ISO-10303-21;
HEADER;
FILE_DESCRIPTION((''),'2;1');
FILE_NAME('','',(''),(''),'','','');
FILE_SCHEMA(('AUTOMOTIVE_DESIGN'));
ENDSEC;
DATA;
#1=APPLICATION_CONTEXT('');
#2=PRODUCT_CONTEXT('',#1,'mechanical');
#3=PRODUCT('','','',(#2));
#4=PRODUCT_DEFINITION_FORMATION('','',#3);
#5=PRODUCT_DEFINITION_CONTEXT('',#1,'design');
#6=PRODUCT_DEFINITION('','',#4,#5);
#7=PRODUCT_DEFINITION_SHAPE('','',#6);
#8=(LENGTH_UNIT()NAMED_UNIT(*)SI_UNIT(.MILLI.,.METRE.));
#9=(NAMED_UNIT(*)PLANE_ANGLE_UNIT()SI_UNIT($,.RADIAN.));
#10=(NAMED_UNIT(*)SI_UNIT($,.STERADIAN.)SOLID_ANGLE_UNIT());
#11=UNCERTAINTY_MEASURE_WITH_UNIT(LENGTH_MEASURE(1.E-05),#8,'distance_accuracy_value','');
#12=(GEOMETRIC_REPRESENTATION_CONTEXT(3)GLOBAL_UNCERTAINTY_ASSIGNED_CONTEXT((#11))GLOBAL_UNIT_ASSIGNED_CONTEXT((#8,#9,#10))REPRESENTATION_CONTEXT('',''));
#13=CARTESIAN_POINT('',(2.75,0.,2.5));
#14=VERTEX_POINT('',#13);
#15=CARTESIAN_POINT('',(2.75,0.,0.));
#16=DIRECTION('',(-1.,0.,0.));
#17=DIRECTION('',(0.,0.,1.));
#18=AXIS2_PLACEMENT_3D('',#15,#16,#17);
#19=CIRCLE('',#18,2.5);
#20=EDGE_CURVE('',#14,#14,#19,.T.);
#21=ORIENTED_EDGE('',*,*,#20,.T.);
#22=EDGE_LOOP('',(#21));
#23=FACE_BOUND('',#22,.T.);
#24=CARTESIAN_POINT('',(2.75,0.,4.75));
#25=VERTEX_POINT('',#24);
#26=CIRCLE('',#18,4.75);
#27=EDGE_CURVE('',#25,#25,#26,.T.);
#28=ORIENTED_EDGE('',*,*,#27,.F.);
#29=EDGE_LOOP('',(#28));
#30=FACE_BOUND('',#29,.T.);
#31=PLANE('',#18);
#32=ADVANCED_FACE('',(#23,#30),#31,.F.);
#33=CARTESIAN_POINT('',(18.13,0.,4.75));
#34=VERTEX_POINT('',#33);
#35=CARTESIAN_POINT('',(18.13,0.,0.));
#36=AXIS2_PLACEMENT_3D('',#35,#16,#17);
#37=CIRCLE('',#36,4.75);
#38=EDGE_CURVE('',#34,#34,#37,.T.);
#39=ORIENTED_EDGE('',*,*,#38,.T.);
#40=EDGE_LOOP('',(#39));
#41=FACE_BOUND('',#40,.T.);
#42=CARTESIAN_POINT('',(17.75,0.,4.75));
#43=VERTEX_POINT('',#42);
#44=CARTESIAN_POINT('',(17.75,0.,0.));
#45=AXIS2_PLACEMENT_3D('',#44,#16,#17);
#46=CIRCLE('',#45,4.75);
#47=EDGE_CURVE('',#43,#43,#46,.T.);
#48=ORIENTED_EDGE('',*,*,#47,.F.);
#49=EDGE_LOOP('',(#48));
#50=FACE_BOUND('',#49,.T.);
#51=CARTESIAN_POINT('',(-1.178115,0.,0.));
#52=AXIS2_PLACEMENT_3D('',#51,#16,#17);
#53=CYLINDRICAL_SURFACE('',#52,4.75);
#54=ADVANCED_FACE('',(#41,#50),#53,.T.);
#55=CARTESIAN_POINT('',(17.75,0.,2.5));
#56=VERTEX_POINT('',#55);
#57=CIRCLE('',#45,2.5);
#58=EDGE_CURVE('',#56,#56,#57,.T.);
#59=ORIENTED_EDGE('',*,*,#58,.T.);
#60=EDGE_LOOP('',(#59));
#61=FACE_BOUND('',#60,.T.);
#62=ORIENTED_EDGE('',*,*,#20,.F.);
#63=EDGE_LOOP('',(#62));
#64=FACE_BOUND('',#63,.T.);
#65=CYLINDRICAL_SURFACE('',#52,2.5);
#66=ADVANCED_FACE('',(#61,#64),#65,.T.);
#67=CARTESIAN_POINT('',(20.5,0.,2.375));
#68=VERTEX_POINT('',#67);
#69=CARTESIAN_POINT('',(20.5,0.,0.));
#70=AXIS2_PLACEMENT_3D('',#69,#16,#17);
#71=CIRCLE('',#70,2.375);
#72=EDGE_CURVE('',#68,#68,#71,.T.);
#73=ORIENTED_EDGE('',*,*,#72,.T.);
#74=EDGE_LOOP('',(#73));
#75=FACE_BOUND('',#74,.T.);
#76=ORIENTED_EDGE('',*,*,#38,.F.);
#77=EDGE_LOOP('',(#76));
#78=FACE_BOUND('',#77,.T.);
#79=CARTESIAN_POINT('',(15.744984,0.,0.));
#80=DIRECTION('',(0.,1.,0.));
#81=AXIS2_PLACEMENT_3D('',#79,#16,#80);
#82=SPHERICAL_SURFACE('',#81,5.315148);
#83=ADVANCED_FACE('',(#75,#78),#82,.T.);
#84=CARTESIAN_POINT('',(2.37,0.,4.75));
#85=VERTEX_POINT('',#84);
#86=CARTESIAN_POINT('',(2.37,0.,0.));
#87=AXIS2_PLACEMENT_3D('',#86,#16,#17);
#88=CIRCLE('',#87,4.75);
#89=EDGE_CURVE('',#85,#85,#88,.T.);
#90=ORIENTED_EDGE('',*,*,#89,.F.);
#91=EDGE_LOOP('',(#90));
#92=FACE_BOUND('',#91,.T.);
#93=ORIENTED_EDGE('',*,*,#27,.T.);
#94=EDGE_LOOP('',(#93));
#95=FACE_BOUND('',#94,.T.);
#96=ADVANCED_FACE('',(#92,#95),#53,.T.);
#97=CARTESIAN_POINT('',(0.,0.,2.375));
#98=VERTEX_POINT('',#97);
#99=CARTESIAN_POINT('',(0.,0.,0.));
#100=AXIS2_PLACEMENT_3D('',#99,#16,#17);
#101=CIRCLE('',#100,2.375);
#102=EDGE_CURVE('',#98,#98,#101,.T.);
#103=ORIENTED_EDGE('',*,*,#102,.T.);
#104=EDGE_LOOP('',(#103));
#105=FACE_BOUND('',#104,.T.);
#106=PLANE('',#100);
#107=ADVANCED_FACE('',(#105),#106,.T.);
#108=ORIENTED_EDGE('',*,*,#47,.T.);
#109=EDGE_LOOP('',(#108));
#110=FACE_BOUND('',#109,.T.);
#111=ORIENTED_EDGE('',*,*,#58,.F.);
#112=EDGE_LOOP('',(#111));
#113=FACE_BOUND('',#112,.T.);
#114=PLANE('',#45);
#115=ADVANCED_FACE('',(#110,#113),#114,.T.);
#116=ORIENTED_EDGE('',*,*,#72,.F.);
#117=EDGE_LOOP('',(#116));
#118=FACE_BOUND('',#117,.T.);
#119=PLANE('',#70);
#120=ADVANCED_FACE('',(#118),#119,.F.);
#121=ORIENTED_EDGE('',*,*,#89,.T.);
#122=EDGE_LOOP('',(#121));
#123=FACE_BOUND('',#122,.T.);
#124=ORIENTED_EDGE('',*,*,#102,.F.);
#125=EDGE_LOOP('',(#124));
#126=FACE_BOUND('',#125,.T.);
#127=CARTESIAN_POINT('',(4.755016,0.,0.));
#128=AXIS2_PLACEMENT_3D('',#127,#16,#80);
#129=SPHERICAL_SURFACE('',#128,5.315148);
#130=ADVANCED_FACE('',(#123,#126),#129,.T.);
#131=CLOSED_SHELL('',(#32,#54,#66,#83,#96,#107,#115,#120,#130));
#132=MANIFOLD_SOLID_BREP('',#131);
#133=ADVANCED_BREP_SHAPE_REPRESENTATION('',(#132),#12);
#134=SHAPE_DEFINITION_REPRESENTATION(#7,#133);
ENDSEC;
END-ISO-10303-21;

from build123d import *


with BuildPart() as part:
    # Sketch2 → Revolve1 (revolve)
    with BuildSketch(Plane.XY):
        with BuildLine():
            ThreePointArc((0, 2.375), (0.992680215, 3.754414901), (2.37, 4.75))
            Line((2.37, 4.75), (2.75, 4.75))
            Line((2.75, 4.75), (2.75, 2.5))
            Line((2.75, 2.5), (17.75, 2.5))
            Line((17.75, 2.5), (17.75, 4.75))
            Line((17.75, 4.75), (18.13, 4.75))
            ThreePointArc((18.13, 4.75), (19.507319785, 3.754414901), (20.5, 2.375))
            Line((20.5, 2.375), (20.5, 0))
            Line((20.5, 0), (0, 0))
            Line((0, 0), (0, 2.375))
        make_face()
    revolve(axis=Axis((-1.178114582, 0, 0), (1, 0, 0)))


solid = part.part
